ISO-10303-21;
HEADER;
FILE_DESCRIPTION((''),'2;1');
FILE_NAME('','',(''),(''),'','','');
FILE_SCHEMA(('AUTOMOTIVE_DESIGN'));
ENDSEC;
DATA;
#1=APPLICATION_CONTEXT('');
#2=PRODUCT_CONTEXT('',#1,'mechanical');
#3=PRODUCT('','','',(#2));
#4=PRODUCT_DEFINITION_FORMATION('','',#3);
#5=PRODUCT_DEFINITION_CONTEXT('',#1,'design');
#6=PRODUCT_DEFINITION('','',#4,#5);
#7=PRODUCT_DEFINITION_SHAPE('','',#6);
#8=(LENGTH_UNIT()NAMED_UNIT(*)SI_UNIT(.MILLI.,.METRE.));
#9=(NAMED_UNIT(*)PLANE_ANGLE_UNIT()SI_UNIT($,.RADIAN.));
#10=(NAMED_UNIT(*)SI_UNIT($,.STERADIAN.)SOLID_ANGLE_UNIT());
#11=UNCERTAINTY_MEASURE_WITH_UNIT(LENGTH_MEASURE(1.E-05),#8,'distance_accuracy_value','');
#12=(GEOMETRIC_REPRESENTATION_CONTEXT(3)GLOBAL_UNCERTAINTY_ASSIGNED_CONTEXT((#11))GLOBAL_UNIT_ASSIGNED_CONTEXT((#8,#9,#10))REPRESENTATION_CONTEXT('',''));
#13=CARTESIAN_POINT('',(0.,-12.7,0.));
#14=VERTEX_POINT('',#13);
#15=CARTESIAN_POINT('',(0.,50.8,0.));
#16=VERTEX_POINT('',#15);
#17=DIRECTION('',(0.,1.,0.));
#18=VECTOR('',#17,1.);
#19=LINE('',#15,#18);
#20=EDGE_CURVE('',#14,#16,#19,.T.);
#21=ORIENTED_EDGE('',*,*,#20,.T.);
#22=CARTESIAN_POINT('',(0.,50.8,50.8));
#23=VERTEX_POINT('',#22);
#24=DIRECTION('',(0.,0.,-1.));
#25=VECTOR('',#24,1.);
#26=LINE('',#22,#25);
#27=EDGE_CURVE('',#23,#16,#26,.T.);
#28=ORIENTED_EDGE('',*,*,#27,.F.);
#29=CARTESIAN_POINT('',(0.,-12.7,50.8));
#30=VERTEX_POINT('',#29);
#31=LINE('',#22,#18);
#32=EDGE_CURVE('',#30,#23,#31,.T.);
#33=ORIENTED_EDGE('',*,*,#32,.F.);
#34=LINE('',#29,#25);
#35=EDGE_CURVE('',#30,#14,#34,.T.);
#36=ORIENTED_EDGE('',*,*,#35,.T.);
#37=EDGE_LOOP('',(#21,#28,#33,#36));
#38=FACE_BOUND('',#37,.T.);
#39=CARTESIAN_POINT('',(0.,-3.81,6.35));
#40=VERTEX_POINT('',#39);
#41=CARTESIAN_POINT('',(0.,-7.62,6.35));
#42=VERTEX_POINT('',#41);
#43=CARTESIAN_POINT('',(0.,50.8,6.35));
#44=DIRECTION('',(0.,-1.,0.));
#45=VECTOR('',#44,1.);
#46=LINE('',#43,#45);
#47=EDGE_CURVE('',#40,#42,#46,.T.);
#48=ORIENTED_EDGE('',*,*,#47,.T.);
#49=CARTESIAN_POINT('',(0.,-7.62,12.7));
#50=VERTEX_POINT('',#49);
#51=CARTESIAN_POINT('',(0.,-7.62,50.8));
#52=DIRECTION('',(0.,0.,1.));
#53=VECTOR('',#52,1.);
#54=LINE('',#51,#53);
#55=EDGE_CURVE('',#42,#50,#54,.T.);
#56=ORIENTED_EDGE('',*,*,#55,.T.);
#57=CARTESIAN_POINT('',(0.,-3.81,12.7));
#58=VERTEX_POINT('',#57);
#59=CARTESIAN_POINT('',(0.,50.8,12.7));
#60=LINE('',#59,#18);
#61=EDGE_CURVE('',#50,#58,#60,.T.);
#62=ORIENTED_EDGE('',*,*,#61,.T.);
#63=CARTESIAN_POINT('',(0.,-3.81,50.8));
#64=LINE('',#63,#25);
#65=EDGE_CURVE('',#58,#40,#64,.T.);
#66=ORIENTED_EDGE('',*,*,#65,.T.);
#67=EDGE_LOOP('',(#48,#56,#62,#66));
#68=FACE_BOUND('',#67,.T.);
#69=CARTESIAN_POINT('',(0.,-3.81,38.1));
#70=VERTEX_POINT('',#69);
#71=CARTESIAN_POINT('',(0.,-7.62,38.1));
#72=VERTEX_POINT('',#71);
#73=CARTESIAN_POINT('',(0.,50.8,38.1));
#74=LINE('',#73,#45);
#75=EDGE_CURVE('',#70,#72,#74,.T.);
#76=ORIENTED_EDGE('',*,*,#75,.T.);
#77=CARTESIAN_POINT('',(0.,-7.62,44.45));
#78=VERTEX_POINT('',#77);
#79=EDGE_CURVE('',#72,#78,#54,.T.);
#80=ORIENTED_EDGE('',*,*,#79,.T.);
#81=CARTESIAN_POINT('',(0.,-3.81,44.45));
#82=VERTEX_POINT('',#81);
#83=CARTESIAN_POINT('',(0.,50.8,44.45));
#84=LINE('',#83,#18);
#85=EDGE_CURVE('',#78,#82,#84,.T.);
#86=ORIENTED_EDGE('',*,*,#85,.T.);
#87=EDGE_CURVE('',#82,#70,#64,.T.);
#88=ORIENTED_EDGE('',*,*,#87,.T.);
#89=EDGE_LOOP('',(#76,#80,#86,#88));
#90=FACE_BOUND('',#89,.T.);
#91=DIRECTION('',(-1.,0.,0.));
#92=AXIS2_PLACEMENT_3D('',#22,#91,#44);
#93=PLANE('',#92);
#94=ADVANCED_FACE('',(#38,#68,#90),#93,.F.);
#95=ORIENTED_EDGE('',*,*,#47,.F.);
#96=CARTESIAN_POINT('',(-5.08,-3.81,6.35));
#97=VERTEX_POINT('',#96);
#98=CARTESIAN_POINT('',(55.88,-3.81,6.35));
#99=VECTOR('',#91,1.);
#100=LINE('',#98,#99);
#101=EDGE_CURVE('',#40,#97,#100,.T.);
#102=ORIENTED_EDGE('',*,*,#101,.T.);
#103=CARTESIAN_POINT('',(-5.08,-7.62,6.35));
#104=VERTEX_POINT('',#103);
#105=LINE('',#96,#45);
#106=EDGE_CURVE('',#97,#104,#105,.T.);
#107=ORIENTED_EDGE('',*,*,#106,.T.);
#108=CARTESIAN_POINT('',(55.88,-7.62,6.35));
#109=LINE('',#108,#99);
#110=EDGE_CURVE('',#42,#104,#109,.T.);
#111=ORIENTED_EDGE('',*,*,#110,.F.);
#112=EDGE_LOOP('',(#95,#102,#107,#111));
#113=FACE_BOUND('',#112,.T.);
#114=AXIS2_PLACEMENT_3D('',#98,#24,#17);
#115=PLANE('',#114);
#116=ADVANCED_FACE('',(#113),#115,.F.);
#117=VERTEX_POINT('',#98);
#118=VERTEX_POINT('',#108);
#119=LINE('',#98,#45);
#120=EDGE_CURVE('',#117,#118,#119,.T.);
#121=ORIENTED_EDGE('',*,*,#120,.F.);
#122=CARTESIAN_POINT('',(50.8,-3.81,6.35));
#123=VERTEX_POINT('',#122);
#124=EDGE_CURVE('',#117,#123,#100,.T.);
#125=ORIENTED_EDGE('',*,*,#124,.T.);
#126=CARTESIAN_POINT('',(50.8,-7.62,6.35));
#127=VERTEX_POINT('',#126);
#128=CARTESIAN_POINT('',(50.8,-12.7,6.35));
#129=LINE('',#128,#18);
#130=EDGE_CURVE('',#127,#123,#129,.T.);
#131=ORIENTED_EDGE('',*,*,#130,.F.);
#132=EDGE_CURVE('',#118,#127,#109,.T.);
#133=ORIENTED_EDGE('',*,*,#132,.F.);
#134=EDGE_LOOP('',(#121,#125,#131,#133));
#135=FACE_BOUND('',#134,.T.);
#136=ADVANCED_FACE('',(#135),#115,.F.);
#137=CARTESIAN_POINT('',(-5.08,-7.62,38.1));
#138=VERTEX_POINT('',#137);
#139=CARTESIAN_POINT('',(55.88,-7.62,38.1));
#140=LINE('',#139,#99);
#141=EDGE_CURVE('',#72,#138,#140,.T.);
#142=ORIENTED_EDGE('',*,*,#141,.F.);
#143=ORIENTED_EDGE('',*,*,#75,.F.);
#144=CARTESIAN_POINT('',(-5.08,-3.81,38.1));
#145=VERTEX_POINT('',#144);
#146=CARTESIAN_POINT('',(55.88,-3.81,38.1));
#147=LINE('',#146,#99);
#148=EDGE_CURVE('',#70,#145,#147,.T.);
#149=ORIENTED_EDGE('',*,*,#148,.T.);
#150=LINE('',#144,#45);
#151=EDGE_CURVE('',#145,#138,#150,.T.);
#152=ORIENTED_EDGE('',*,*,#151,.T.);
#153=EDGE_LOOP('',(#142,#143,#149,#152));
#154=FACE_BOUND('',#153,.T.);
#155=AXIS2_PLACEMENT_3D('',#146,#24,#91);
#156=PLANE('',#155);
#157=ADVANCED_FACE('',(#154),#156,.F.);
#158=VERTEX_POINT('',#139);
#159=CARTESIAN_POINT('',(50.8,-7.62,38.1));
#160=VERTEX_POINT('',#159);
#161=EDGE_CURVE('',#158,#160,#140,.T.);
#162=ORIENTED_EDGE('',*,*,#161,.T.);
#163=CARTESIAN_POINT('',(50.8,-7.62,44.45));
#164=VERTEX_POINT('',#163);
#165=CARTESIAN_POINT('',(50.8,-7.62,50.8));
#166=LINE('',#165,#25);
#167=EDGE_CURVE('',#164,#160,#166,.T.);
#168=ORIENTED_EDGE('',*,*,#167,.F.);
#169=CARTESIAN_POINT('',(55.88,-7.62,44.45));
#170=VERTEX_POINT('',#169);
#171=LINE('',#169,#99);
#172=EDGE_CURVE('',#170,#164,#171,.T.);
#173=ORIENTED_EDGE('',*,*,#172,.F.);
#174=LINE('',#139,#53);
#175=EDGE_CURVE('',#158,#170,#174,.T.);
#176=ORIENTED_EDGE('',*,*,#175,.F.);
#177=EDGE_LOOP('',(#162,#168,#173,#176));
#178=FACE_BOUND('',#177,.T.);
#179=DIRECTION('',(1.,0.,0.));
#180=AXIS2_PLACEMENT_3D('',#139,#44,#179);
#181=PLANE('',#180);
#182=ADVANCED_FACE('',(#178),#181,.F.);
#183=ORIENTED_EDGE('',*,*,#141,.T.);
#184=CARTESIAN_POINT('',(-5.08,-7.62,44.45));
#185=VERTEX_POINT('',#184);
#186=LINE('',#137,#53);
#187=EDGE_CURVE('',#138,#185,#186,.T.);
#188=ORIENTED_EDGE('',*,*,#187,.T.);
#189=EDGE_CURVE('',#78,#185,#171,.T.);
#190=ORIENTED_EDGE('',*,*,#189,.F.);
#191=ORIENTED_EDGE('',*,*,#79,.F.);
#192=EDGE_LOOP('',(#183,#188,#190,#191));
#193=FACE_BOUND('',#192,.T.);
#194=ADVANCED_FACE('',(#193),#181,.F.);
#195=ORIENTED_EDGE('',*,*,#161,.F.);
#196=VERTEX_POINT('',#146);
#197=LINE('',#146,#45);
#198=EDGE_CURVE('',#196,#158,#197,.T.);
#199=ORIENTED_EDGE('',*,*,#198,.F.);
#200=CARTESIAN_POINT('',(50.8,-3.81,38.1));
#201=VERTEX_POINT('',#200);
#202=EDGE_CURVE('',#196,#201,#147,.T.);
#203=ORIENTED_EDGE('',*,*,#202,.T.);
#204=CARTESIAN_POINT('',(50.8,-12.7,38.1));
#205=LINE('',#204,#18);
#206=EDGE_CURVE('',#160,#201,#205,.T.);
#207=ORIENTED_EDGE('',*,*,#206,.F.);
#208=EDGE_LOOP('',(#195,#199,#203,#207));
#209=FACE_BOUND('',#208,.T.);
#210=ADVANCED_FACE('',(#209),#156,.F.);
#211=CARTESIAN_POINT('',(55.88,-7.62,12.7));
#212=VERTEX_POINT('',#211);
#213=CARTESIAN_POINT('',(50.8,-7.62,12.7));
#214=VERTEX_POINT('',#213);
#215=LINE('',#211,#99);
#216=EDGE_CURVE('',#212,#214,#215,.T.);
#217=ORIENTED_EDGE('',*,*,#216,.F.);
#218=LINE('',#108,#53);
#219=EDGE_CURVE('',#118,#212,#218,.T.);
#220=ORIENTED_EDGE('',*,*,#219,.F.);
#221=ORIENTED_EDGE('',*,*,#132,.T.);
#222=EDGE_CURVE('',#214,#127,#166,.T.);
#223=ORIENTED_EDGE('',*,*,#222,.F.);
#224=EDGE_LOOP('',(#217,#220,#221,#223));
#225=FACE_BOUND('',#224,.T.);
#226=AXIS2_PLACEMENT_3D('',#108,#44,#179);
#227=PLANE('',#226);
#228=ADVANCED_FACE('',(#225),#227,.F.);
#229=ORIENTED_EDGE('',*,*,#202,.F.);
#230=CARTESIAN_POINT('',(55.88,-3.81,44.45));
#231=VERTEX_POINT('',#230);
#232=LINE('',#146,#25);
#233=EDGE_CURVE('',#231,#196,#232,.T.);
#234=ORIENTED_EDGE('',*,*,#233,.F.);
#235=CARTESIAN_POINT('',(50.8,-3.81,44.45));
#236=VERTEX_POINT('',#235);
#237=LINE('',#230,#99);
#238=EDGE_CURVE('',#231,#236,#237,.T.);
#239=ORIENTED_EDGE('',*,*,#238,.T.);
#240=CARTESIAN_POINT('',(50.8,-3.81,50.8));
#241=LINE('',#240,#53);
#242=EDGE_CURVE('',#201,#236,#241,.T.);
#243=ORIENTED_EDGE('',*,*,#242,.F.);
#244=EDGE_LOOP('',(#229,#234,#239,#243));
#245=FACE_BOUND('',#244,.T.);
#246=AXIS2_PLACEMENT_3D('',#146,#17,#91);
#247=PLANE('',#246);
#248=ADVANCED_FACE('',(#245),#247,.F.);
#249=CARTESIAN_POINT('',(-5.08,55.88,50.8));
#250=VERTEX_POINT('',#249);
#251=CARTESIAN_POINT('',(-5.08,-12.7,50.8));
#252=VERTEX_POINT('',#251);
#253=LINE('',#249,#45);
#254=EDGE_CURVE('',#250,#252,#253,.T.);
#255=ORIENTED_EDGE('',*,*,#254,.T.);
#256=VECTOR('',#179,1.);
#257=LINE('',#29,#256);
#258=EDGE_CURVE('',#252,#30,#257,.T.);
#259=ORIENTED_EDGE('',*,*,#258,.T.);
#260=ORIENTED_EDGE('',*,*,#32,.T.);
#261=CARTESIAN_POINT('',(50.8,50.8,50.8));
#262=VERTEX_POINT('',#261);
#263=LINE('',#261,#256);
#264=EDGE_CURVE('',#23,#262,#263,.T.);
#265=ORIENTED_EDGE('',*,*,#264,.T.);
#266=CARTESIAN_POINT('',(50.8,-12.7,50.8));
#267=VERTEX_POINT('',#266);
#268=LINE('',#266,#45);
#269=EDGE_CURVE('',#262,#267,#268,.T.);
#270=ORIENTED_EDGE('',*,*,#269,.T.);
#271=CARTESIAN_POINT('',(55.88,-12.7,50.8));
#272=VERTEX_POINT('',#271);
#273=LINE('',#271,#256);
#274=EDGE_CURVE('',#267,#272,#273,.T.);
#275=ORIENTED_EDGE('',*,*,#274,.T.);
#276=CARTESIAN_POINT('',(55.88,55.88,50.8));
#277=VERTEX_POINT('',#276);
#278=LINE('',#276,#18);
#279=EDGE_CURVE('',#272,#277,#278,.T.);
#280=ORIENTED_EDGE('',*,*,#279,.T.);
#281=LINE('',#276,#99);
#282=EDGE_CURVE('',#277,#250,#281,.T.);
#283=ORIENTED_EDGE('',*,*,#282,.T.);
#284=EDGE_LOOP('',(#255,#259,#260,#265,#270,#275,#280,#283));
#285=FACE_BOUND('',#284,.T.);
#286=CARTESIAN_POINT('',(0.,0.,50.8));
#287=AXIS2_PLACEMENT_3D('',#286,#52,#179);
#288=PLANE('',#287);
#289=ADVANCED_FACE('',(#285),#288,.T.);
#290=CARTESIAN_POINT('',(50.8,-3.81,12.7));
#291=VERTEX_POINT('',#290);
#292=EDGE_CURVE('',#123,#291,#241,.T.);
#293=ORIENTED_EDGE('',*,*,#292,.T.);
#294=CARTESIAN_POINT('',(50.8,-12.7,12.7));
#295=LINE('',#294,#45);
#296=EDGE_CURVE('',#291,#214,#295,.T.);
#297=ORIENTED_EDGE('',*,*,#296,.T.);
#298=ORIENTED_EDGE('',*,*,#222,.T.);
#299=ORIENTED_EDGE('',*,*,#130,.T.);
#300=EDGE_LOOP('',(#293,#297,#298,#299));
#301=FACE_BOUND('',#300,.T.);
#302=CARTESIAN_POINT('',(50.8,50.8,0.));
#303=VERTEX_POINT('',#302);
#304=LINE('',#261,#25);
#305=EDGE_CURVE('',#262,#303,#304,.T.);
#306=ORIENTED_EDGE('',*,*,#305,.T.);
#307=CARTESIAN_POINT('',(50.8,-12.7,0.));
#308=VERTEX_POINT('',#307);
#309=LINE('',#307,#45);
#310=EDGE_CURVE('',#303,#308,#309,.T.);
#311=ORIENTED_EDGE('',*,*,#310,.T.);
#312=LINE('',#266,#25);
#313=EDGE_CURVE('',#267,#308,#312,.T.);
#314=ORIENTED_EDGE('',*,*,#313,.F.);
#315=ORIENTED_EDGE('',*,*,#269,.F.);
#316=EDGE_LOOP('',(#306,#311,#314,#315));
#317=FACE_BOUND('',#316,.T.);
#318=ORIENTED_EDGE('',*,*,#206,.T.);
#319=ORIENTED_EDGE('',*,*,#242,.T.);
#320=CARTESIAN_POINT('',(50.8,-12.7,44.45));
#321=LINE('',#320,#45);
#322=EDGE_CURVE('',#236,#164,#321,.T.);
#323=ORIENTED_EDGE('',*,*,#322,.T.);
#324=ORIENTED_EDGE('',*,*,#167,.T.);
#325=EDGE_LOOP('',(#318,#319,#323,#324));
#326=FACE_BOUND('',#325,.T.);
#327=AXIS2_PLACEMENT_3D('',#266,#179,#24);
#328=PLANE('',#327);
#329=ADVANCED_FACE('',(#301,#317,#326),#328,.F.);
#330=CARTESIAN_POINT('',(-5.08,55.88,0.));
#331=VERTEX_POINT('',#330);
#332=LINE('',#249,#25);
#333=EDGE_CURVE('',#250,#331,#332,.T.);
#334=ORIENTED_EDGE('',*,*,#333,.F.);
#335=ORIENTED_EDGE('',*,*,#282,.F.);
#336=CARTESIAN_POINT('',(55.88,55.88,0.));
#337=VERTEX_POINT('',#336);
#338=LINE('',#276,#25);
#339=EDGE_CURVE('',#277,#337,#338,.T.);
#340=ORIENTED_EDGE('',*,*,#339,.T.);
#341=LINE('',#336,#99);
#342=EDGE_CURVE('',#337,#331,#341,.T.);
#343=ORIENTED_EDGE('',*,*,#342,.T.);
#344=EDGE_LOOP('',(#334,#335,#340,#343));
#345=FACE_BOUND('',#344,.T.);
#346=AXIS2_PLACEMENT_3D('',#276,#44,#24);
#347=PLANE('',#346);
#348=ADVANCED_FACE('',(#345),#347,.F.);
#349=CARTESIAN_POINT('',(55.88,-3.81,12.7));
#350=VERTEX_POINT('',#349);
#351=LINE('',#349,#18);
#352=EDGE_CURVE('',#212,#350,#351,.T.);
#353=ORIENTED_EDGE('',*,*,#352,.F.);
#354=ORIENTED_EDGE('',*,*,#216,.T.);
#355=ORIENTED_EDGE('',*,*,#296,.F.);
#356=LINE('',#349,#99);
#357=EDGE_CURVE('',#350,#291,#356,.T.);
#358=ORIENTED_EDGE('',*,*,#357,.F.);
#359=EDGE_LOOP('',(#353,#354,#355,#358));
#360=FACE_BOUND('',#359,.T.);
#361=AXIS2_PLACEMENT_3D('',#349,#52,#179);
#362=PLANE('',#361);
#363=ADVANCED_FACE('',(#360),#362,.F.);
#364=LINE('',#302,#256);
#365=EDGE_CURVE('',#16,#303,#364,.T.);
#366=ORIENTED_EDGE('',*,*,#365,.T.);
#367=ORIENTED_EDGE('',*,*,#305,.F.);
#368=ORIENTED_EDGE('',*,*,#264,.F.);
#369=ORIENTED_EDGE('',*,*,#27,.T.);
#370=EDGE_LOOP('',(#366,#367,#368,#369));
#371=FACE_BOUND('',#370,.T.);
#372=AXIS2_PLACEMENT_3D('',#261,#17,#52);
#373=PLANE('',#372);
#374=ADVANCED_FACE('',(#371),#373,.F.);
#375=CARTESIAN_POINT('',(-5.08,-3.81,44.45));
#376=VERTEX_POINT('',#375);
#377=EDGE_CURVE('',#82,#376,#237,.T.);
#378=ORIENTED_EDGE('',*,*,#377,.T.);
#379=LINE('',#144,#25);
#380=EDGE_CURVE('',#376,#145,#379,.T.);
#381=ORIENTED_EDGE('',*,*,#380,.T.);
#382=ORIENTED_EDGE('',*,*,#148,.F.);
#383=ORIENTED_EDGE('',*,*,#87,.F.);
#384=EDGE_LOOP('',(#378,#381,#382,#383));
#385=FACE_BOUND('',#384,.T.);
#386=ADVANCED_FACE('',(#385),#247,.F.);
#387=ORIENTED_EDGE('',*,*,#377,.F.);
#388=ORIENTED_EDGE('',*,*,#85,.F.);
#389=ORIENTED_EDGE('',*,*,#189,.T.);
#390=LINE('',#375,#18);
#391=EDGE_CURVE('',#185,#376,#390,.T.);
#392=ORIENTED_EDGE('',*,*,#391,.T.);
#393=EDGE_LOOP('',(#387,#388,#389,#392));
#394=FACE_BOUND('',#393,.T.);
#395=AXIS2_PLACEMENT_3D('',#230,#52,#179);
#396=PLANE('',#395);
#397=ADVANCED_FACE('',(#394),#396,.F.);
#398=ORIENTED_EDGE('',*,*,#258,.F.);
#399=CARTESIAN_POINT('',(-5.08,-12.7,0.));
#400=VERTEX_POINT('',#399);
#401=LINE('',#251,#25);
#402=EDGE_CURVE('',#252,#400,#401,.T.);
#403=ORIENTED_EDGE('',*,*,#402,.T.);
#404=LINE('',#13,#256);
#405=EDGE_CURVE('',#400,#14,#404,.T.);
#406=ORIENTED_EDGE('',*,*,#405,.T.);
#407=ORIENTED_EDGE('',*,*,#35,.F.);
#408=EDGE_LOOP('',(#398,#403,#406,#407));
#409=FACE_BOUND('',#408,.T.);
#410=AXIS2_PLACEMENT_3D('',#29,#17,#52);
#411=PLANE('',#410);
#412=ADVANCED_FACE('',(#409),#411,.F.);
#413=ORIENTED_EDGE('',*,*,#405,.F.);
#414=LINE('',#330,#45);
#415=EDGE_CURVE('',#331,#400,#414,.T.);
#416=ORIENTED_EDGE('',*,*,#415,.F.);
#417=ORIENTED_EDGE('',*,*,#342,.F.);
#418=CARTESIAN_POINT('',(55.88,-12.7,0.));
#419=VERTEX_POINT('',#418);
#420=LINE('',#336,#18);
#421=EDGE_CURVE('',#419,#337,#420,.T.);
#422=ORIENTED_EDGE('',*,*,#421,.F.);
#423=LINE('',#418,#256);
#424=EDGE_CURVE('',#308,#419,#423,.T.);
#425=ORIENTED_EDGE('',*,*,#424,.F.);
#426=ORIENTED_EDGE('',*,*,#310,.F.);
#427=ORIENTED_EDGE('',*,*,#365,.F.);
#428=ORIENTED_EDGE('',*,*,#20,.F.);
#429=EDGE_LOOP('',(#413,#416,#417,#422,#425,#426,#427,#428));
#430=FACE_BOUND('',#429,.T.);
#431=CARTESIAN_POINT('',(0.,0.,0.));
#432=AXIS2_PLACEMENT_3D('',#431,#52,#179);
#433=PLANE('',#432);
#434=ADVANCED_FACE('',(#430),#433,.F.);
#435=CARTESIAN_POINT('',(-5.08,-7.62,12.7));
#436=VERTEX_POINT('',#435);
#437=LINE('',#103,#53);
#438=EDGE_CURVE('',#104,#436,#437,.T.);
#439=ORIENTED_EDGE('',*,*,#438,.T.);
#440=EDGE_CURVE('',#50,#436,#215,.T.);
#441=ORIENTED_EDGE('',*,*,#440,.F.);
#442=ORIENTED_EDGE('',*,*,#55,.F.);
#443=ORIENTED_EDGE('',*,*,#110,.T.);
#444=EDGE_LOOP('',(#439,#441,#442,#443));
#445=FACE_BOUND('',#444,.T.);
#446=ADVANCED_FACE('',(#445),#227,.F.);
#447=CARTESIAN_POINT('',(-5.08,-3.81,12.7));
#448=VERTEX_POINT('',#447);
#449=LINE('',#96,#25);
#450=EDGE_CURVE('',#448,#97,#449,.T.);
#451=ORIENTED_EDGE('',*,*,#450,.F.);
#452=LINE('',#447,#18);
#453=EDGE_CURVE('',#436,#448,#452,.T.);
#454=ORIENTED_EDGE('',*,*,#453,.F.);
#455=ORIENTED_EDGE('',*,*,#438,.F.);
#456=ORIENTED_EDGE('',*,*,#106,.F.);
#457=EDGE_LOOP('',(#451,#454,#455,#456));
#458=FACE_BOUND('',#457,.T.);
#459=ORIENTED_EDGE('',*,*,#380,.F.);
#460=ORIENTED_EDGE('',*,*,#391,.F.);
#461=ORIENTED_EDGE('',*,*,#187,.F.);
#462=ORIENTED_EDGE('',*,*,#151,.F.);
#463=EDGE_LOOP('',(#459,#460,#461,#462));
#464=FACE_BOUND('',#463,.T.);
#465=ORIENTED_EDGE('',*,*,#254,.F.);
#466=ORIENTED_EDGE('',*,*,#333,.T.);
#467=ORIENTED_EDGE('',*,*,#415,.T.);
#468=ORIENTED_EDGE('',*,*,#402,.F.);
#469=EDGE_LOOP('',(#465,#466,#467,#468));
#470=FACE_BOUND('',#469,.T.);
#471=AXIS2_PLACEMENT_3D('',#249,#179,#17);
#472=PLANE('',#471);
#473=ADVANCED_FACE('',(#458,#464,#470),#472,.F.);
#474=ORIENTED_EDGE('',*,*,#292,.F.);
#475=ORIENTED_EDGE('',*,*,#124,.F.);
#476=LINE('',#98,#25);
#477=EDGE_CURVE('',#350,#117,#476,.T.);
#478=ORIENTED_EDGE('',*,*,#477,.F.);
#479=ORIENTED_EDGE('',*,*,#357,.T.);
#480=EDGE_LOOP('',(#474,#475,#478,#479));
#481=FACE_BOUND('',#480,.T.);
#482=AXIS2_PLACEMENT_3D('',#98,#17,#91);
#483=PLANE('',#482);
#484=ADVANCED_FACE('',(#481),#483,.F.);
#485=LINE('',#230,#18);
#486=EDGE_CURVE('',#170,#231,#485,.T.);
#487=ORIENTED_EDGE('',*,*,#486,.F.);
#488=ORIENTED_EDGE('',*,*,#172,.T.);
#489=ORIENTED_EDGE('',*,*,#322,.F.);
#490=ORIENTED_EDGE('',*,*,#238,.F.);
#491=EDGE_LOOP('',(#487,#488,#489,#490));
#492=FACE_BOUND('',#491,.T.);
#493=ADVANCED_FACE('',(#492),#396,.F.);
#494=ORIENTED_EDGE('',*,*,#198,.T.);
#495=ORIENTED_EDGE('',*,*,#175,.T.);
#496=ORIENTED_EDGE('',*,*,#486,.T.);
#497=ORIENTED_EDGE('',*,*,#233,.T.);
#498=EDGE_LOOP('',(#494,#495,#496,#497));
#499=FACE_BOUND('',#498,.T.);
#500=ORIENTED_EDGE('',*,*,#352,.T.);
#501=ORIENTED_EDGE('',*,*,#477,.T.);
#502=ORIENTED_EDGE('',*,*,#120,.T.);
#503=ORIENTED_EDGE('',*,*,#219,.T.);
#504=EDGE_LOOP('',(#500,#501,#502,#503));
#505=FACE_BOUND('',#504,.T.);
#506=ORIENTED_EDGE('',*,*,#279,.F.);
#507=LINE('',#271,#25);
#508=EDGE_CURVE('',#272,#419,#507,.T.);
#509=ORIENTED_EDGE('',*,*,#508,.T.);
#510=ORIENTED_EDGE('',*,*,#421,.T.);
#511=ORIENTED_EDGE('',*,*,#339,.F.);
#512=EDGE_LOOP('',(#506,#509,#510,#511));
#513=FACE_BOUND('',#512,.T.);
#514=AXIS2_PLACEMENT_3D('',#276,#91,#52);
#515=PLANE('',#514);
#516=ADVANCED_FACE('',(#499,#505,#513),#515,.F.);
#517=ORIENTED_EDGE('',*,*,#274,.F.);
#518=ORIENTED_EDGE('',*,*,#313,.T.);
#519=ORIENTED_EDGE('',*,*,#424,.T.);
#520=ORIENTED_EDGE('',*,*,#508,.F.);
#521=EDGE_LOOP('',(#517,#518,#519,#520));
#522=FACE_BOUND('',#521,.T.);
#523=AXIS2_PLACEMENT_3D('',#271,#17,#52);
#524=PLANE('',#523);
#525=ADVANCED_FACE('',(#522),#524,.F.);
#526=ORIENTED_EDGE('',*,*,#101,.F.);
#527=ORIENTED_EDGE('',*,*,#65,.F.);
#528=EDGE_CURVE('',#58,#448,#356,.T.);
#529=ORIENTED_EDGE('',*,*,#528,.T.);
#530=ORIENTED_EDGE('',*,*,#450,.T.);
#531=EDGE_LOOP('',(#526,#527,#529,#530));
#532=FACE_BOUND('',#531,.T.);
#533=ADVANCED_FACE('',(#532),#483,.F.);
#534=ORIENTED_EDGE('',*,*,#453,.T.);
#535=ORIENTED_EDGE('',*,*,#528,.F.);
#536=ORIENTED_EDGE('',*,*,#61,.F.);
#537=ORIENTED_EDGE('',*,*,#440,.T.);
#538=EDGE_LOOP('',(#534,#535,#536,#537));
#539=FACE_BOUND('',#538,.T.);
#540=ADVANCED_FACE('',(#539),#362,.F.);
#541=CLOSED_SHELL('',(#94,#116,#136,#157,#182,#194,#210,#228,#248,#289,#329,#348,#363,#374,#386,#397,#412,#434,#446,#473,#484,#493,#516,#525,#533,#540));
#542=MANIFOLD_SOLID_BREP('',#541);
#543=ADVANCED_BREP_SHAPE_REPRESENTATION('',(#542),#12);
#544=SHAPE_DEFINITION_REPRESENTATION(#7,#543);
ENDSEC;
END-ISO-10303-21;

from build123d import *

# Parameters (mm, degrees)
BOSS_EXTRUDE1_DEPTH = 50.8
SKETCH2_W           = 6.35
SKETCH2_H           = 3.81
CUT_EXTRUDE1_DEPTH  = 98.053263727


with BuildPart() as part:
    # Sketch1 → Boss-Extrude1 (new body)
    with BuildSketch(Plane.XY):
        Polygon((55.88, 55.88), (55.88, -12.7), (50.8, -12.7), (50.8, 50.8), (0, 50.8), (0, -12.7), (-5.08, -12.7), (-5.08, 55.88), align=None)
    extrude(amount=BOSS_EXTRUDE1_DEPTH)

    # Sketch2 → Cut-Extrude1 (cut, through all)
    with BuildSketch(Plane.ZY.offset(5.08)):
        with Locations((9.525, -5.715)):
            Rectangle(SKETCH2_W, SKETCH2_H)
        with Locations((41.275, -5.715)):
            Rectangle(SKETCH2_W, SKETCH2_H)
    extrude(amount=-CUT_EXTRUDE1_DEPTH, mode=Mode.SUBTRACT)


solid = part.part
